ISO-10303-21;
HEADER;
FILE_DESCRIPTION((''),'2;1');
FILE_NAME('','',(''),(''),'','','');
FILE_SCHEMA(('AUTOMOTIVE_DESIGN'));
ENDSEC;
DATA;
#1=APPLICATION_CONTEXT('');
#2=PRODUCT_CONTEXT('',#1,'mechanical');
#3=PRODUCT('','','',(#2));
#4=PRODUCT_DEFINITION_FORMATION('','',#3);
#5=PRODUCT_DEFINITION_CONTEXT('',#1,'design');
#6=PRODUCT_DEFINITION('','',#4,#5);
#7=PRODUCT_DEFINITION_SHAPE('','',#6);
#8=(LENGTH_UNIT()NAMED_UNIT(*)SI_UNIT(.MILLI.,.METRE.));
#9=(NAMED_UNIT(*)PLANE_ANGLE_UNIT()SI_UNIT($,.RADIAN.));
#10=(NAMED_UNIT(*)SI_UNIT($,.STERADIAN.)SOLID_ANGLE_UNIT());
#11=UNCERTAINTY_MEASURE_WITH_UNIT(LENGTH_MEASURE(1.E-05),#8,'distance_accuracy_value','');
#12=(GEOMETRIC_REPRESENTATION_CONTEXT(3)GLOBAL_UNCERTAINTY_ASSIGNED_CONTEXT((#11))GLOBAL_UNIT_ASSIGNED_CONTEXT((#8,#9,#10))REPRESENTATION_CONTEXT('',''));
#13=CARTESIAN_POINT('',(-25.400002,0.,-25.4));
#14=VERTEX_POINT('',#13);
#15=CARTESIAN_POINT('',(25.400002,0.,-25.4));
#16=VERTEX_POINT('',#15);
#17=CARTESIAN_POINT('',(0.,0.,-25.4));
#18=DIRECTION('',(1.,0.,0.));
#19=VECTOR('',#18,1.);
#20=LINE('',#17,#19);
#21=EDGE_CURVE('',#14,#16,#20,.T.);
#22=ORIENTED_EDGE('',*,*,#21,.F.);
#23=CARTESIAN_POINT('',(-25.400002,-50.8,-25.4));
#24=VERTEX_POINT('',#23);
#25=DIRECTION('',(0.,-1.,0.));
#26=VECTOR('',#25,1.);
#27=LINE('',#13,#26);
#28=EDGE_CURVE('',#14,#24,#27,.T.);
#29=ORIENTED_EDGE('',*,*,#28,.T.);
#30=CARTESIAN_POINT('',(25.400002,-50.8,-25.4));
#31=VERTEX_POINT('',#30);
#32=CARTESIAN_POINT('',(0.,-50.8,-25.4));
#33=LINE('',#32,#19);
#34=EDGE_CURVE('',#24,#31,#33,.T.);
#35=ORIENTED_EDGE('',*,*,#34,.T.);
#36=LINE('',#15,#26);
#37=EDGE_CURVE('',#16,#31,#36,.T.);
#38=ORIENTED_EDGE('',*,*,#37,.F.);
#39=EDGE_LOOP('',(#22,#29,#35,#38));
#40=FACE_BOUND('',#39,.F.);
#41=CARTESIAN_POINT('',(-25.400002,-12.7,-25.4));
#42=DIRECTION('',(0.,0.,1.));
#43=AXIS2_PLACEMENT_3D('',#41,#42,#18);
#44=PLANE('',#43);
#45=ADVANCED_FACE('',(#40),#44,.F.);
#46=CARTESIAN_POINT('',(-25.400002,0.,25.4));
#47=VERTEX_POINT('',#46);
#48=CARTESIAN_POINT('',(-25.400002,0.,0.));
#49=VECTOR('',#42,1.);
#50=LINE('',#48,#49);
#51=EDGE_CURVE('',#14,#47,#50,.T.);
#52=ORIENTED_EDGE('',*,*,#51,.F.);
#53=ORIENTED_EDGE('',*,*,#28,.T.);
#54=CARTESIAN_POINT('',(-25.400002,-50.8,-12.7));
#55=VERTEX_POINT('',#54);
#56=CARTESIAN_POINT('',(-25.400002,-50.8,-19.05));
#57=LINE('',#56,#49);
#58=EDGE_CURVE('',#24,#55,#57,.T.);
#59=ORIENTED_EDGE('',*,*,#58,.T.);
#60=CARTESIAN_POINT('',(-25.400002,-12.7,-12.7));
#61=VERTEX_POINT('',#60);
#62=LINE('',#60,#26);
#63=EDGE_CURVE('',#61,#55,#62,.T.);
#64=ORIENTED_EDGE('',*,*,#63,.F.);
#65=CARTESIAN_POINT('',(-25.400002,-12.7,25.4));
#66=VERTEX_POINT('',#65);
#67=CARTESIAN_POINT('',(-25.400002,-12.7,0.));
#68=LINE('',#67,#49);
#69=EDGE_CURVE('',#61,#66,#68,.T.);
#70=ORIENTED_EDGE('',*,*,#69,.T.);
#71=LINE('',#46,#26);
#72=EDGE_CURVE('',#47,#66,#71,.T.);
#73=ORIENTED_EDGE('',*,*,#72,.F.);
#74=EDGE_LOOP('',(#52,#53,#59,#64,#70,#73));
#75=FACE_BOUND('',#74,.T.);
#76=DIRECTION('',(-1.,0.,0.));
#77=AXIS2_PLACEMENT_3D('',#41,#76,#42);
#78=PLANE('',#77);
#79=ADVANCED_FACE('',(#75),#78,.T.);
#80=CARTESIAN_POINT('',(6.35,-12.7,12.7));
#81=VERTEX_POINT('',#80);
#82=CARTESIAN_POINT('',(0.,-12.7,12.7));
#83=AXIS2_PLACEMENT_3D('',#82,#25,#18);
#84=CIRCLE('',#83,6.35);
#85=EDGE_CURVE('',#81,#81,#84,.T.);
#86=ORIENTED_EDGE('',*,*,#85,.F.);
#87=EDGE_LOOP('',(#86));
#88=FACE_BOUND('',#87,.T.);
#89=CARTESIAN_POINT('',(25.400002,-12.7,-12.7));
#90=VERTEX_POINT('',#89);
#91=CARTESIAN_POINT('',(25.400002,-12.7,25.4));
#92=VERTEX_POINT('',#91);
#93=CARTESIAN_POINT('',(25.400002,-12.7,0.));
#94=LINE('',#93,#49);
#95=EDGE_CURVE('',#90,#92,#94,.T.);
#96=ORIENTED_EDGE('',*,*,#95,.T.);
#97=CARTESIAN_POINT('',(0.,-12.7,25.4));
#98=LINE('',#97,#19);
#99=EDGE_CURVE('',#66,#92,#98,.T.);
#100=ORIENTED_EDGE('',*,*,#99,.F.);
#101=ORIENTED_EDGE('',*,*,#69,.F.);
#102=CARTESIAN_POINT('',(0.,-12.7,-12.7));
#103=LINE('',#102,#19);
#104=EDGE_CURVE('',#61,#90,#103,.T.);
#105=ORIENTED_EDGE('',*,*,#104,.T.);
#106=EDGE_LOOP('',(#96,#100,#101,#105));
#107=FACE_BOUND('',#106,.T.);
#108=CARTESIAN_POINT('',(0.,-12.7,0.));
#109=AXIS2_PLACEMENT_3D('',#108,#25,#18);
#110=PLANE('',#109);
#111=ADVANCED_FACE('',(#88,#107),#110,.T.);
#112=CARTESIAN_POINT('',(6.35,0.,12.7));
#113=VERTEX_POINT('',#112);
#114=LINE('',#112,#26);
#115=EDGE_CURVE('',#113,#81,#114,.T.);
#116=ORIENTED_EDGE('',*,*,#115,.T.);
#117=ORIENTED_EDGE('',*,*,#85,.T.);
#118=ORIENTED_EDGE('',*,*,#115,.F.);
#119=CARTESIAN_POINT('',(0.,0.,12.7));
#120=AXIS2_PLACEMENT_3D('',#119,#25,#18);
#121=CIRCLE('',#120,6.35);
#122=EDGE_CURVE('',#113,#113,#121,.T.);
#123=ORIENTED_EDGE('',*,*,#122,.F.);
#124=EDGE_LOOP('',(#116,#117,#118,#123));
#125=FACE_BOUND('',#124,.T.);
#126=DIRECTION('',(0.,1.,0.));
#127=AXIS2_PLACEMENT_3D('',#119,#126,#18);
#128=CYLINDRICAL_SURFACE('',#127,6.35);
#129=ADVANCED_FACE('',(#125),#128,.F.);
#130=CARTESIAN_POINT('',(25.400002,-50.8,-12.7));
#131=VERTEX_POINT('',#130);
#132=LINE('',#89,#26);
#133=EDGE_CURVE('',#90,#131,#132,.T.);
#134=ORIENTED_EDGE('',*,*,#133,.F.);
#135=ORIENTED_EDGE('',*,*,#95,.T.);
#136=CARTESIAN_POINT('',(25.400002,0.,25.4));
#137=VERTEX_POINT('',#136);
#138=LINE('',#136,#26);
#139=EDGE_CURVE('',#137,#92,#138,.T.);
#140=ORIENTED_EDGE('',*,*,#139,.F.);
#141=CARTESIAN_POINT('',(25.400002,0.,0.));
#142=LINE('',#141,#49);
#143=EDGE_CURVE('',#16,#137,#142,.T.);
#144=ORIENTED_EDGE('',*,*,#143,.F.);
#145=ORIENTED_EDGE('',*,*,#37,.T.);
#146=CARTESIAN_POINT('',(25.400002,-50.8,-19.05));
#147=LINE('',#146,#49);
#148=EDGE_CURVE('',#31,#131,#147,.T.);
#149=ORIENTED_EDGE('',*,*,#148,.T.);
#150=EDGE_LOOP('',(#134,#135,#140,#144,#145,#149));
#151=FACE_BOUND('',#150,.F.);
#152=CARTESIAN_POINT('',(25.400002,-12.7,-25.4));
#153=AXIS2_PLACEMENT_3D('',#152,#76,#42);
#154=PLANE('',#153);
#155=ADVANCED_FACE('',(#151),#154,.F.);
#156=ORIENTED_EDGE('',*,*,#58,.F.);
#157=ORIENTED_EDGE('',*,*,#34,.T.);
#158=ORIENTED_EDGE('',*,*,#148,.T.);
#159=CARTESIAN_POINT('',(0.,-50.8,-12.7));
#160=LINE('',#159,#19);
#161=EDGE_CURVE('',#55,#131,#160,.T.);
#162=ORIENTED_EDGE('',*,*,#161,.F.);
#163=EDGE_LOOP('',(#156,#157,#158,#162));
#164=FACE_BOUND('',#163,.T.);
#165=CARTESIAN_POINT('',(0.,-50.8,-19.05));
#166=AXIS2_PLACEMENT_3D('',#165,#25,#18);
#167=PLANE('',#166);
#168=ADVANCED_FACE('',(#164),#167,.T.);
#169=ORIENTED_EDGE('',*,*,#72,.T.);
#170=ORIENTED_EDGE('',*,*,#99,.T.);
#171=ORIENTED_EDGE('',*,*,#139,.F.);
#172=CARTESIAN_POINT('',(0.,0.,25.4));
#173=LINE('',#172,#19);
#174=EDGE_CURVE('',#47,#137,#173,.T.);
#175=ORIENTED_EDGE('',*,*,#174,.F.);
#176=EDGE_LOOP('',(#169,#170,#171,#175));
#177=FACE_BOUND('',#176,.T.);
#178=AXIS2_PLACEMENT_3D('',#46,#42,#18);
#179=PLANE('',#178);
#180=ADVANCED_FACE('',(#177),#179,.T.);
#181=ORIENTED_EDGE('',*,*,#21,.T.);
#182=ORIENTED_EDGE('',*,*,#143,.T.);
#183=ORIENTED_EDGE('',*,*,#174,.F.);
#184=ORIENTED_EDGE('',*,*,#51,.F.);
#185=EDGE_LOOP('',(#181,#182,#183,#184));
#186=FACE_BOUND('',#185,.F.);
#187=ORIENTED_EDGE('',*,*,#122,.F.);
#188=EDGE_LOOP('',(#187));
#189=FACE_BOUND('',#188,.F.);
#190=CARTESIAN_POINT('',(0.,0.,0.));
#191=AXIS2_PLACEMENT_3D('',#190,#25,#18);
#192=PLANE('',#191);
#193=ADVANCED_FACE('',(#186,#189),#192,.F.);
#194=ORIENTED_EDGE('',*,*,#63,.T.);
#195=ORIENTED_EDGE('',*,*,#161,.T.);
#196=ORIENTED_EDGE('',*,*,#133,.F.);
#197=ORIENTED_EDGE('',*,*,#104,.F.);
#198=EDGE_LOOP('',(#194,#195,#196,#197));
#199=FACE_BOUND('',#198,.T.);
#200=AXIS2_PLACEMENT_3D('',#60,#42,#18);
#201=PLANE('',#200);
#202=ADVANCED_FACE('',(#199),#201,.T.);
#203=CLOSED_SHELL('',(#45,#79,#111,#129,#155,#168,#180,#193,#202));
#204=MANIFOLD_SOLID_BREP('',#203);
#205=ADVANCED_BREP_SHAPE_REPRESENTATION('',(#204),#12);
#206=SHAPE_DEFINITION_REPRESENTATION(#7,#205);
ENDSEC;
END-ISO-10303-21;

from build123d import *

# Parameters (mm, degrees)
F0_W     = 50.800004
F0_H     = 50.8
F0_R     = 6.35
F1_DEPTH = 12.7
F2_W     = 50.800004
F2_H     = 12.7
F3_DEPTH = 38.1


with BuildPart() as f1:
    # F0 (on Front) → F1 (new body)
    with BuildSketch(Plane.XZ):
        Rectangle(F0_W, F0_H)
        with Locations((0, 12.7)):
            Circle(F0_R, mode=Mode.SUBTRACT)
    extrude(amount=F1_DEPTH)

    # F2 (on face) → F3 (join)
    with BuildSketch(Plane.XZ.offset(12.7)):
        with Locations((0, -19.05)):
            Rectangle(F2_W, F2_H)
    extrude(amount=F3_DEPTH)


solid = f1.part
